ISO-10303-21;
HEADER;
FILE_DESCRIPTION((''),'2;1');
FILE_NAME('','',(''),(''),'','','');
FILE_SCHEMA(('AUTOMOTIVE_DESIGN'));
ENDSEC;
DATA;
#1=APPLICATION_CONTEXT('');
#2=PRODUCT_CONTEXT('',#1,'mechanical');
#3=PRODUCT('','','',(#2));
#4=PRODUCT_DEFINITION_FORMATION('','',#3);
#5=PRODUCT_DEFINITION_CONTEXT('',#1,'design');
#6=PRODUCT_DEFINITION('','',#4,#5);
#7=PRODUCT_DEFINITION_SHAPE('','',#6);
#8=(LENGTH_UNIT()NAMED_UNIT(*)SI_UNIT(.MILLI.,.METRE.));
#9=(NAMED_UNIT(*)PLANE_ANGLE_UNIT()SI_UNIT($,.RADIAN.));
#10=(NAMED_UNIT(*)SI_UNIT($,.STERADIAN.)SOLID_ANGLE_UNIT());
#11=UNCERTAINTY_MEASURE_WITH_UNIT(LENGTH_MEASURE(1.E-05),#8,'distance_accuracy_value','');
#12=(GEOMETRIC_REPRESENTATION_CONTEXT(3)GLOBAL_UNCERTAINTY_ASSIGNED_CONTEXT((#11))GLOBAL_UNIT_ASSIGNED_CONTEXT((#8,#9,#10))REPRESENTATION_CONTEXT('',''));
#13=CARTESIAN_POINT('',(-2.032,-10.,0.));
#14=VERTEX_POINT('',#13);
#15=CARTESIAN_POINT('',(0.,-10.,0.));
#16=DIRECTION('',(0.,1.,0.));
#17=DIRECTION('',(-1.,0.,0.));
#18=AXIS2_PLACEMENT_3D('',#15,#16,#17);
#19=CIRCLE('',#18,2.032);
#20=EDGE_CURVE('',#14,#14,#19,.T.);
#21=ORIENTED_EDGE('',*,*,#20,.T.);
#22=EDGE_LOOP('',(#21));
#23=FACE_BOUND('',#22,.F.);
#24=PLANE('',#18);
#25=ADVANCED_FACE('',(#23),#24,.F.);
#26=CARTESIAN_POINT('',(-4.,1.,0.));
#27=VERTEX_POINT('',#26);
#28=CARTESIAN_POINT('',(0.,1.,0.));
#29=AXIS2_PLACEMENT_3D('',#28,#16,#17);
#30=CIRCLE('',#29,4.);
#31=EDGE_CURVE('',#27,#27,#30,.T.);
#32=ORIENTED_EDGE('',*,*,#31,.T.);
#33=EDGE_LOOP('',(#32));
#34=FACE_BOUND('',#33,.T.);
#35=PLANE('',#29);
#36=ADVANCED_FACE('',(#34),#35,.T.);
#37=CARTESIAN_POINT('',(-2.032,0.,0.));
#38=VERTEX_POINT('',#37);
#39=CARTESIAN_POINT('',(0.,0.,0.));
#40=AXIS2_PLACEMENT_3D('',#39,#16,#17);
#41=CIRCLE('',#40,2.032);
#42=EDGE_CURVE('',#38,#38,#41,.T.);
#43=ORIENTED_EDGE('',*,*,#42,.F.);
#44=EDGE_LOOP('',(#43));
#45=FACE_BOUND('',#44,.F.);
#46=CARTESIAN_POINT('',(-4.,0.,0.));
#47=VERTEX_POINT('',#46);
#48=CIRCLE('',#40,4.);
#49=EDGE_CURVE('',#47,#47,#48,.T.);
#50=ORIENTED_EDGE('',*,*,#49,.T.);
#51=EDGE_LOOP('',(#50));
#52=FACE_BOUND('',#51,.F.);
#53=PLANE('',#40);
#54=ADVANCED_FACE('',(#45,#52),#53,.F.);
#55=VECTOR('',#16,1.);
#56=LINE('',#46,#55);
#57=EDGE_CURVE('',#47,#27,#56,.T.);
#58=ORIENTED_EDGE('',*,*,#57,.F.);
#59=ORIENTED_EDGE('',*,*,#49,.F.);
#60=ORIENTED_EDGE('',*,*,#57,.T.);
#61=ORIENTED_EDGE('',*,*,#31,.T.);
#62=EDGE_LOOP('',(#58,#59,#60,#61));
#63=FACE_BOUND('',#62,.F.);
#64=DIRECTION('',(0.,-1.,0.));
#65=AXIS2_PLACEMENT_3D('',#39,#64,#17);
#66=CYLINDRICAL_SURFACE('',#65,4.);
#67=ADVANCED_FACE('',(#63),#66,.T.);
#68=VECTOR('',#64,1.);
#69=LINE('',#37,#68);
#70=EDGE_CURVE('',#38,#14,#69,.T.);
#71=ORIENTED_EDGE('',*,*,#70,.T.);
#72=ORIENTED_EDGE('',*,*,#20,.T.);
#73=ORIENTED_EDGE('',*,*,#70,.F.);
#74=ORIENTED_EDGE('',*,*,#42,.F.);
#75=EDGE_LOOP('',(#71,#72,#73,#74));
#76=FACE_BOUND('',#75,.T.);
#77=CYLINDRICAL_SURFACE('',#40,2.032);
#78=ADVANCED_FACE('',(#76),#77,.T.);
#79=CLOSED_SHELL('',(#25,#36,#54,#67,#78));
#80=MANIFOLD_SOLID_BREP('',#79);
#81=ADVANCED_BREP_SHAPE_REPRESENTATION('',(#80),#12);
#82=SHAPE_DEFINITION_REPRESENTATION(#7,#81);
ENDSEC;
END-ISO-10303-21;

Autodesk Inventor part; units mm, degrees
ref_plane "YZ Plane" through (0, 0, 0) normal (1, 0, 0) x (0, 1, 0)
ref_plane "XZ Plane" through (0, 0, 0) normal (0, 1, 0) x (-1, 0, 0)
ref_plane "XY Plane" through (0, 0, 0) normal (0, 0, 1) x (1, 0, 0)
sketch "Sketch1" plane through (0, 0, 0) normal (0, 1, 0) x (-1, 0, 0)
  circle A0 centre (0, 0) radius 2.032
  circle A1 centre (0, 0) radius 4
  dimension "d0" = 4.064
  dimension "d1" = 8
extrude "Extrusion1" add sketch "Sketch1" against normal blind 10 contours A0
extrude "Extrusion2" add sketch "Sketch1" along normal blind 1 contours A0 | A1
properties part number "X-Ray Tube Plug" material "Aluminum 6061"
